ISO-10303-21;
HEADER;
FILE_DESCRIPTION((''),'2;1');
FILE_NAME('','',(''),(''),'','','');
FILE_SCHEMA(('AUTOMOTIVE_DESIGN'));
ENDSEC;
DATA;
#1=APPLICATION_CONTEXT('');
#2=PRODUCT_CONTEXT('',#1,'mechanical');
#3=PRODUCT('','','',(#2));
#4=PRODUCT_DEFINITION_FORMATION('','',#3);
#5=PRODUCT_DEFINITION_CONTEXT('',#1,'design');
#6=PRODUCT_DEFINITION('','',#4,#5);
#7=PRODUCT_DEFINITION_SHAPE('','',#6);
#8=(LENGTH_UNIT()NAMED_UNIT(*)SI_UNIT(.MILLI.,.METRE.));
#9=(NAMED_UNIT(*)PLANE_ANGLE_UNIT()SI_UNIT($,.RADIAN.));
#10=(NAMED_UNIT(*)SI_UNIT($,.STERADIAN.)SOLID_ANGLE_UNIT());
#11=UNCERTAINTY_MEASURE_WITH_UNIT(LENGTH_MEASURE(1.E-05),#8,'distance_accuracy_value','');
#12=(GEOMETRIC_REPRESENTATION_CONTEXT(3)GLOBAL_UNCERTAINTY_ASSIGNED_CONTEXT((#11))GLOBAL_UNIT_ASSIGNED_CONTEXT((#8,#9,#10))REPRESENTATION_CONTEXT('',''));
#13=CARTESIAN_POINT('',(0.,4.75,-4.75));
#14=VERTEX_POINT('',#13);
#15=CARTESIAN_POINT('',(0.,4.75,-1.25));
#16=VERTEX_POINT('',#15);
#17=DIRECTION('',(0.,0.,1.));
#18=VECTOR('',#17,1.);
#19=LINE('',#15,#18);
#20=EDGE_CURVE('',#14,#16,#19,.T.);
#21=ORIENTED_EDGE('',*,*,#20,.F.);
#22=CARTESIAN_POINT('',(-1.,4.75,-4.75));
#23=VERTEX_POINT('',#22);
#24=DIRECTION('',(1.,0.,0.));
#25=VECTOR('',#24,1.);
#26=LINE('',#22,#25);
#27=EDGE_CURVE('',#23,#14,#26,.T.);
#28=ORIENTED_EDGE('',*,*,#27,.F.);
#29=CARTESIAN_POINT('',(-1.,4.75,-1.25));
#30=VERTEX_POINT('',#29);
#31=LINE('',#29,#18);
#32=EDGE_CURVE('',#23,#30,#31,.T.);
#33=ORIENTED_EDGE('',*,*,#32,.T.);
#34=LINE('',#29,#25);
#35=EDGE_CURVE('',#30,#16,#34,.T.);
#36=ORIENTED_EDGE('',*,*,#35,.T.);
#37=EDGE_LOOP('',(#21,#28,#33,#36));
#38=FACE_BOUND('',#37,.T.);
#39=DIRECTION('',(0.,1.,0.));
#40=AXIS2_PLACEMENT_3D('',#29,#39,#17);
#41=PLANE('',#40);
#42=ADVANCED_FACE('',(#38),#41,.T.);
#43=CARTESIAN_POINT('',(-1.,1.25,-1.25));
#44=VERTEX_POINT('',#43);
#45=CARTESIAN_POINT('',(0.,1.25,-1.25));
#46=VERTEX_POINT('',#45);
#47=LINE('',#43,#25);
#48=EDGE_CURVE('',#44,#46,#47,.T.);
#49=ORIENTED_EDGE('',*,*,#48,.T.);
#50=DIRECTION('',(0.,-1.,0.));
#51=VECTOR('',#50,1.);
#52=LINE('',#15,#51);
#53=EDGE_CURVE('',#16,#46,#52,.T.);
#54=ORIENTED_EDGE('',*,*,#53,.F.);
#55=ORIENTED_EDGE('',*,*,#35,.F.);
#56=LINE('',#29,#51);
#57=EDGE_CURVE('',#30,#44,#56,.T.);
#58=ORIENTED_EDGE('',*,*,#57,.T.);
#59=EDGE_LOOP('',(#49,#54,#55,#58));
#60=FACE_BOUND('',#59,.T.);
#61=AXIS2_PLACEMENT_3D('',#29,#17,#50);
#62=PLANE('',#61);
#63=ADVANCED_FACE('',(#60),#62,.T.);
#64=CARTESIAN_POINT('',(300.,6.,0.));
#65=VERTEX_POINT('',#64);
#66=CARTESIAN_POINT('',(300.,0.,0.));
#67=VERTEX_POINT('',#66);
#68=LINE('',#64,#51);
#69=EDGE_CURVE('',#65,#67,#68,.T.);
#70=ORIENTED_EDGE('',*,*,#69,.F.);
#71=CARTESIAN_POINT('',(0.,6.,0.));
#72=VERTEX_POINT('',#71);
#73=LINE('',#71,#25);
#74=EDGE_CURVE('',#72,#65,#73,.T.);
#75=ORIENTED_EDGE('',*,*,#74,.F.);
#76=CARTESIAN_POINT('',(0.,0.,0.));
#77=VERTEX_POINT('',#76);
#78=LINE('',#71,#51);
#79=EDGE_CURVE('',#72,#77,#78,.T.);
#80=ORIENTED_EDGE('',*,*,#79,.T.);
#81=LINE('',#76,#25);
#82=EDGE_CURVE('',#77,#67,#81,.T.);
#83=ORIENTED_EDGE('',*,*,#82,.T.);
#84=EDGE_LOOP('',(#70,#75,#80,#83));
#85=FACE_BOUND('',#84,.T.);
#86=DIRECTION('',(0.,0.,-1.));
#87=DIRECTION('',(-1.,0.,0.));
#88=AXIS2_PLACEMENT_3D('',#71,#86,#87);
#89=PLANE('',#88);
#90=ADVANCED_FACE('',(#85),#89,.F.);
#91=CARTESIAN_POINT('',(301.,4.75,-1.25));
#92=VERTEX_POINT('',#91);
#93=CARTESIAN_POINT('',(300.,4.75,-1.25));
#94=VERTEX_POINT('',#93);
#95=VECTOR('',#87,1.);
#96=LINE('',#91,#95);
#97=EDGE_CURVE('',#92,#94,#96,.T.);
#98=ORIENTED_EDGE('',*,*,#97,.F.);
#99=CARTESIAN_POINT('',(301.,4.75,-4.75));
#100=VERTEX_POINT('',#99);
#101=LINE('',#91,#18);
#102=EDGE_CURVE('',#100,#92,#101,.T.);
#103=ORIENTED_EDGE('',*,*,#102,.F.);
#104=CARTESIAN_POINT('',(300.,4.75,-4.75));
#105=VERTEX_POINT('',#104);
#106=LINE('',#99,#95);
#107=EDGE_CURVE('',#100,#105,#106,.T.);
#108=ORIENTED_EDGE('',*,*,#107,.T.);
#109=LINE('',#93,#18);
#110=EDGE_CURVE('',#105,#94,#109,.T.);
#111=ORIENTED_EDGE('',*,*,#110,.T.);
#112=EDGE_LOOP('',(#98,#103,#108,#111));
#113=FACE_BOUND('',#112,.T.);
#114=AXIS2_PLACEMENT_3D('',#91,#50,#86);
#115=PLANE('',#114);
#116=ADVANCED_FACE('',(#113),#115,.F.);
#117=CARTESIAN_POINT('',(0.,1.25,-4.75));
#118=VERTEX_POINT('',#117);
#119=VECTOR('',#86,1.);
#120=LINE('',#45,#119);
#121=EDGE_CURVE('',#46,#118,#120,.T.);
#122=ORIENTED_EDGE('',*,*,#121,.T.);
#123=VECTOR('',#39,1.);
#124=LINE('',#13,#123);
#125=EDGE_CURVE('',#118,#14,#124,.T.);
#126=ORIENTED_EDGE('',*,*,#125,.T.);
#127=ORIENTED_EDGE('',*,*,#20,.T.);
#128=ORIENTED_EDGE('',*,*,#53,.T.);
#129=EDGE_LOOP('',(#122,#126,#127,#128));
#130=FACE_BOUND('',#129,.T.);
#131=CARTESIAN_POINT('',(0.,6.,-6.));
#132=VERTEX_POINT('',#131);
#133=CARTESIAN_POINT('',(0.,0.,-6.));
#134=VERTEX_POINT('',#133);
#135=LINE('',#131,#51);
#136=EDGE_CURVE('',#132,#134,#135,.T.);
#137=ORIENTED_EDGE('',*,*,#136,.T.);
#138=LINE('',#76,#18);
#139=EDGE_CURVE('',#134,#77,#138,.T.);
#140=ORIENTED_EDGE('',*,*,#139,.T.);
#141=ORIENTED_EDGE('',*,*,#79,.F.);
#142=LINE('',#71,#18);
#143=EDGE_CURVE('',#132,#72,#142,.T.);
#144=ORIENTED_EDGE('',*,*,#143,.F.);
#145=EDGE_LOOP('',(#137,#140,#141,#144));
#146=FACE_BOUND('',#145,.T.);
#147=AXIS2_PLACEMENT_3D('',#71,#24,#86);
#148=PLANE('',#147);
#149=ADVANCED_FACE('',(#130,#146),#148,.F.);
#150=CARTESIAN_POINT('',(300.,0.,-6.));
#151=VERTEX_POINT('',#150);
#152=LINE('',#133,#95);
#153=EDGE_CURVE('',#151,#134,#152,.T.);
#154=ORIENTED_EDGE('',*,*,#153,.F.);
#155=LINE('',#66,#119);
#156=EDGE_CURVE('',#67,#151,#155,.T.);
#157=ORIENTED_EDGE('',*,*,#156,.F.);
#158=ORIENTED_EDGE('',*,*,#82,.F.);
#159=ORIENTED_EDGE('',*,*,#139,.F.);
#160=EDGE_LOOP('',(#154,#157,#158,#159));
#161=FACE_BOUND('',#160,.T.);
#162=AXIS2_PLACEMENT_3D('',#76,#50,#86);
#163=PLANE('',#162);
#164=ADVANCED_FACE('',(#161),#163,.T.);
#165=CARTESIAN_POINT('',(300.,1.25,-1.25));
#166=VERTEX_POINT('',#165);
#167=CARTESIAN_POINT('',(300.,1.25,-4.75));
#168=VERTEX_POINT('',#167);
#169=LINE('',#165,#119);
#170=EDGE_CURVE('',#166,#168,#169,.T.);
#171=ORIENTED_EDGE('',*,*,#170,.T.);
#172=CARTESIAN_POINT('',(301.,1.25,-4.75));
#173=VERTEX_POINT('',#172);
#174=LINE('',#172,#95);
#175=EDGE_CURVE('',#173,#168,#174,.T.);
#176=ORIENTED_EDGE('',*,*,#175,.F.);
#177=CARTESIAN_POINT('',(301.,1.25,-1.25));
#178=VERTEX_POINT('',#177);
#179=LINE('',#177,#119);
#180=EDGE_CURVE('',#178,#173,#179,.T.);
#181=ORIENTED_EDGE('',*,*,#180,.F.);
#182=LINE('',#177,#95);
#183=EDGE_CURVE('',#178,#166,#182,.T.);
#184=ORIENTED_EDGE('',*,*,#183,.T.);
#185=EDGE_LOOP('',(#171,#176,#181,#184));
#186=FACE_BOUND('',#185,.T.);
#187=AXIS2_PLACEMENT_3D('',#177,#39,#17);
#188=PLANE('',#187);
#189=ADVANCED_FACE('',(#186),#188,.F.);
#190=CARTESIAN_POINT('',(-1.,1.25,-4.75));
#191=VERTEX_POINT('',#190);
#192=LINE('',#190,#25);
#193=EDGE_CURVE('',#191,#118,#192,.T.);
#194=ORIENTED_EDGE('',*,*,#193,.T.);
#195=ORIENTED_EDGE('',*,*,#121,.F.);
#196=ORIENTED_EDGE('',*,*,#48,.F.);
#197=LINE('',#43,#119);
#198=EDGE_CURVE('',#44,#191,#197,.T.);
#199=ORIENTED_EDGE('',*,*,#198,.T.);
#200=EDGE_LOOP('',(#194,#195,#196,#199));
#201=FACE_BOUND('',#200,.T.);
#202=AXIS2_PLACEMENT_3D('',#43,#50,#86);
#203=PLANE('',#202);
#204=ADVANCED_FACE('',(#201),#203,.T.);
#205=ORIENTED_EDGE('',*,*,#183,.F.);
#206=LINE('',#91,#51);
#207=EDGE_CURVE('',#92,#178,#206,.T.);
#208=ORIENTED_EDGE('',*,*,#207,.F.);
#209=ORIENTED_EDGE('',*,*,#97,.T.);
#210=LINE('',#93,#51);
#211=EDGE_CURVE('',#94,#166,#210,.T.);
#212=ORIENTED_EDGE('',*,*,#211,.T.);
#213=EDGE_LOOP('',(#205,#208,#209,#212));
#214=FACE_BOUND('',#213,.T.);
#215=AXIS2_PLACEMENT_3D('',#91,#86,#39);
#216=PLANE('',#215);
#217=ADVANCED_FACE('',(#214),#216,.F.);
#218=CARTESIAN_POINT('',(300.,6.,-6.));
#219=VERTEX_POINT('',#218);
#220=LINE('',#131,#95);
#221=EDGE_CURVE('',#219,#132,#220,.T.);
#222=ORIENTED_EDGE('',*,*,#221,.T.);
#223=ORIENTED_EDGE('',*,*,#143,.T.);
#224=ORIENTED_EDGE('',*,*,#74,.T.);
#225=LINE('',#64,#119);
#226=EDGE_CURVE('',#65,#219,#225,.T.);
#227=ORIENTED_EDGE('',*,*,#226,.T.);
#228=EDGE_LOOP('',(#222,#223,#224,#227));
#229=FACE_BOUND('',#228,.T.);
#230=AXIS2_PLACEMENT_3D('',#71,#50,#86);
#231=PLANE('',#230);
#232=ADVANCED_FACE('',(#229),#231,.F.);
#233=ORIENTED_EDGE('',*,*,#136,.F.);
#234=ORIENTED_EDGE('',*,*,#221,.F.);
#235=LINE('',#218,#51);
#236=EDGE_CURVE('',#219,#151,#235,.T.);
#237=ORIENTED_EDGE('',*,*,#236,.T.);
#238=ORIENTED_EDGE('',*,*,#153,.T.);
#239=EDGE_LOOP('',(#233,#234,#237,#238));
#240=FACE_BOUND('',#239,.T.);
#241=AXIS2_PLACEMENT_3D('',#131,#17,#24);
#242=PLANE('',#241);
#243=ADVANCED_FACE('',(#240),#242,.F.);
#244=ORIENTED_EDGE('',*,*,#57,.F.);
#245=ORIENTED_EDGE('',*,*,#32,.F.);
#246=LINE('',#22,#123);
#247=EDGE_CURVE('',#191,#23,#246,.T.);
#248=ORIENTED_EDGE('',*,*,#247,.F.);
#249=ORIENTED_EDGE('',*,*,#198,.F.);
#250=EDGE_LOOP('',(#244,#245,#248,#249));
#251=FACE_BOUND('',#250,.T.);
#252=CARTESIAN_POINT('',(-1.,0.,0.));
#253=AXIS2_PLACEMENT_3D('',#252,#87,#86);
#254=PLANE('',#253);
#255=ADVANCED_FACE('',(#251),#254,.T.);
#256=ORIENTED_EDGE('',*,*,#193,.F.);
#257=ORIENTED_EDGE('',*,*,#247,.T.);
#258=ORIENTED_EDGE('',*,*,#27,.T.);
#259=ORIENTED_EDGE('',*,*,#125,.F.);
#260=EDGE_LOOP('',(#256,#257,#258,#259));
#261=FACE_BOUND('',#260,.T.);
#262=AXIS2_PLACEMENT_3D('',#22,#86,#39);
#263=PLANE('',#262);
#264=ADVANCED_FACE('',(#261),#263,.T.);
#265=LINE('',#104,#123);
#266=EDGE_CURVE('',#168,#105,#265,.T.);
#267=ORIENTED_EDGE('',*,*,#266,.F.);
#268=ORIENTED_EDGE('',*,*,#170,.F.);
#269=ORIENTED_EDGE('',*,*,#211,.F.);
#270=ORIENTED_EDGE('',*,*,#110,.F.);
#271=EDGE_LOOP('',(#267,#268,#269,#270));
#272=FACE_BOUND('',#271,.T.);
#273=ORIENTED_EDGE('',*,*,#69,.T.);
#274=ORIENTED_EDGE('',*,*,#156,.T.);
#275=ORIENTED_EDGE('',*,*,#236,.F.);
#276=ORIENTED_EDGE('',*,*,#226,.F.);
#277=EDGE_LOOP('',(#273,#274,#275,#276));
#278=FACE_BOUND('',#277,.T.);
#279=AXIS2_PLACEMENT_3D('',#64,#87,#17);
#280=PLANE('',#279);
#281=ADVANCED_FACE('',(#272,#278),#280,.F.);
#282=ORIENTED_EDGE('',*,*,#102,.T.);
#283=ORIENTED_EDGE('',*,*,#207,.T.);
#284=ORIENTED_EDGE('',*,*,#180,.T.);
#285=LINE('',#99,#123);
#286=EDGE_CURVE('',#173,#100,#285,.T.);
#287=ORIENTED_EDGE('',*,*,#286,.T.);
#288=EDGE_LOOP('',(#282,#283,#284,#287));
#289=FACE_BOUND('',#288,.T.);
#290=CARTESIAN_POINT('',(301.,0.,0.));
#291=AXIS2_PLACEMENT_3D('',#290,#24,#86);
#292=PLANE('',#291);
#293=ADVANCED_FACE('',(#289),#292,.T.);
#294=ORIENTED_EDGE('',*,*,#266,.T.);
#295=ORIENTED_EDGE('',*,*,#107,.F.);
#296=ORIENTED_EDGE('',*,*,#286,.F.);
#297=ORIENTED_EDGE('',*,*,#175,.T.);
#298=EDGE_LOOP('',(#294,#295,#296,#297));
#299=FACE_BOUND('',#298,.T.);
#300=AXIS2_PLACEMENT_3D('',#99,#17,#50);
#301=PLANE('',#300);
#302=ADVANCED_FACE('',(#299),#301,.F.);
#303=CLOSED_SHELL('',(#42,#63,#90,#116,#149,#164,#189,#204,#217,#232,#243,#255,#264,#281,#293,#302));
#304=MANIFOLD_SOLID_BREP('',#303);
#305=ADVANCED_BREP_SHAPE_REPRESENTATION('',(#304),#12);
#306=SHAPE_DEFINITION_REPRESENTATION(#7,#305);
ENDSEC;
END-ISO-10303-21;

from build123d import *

# Parameters (mm, degrees)
SKETCH1_W           = 300
SKETCH1_H           = 6
BOSS_EXTRUDE1_DEPTH = 6
SKETCH3_W           = 3.5
SKETCH3_H           = 3.5
BOSS_EXTRUDE2_DEPTH = 1


with BuildPart() as part:
    # Sketch1 → Boss-Extrude1 (new body)
    with BuildSketch(Plane(origin=(0, 0, 0), x_dir=(1, 0, 0), z_dir=(0, 1, 0))):
        with Locations((150, 3)):
            Rectangle(SKETCH1_W, SKETCH1_H)
    extrude(amount=BOSS_EXTRUDE1_DEPTH)

    # Sketch3 → Boss-Extrude2 (add)
    with BuildSketch(Plane(origin=(300, 0, 0), x_dir=(0, 0, -1), z_dir=(1, 0, 0))):
        with Locations((3, 3)):
            Rectangle(SKETCH3_W, SKETCH3_H)
    boss_extrude2 = extrude(amount=BOSS_EXTRUDE2_DEPTH)

    # Mirror1: Boss-Extrude2 across plane
    add(boss_extrude2.mirror(Plane(origin=(150, 0, 0), x_dir=(0, 0, 1), z_dir=(1, 0, 0))))


solid = part.part
